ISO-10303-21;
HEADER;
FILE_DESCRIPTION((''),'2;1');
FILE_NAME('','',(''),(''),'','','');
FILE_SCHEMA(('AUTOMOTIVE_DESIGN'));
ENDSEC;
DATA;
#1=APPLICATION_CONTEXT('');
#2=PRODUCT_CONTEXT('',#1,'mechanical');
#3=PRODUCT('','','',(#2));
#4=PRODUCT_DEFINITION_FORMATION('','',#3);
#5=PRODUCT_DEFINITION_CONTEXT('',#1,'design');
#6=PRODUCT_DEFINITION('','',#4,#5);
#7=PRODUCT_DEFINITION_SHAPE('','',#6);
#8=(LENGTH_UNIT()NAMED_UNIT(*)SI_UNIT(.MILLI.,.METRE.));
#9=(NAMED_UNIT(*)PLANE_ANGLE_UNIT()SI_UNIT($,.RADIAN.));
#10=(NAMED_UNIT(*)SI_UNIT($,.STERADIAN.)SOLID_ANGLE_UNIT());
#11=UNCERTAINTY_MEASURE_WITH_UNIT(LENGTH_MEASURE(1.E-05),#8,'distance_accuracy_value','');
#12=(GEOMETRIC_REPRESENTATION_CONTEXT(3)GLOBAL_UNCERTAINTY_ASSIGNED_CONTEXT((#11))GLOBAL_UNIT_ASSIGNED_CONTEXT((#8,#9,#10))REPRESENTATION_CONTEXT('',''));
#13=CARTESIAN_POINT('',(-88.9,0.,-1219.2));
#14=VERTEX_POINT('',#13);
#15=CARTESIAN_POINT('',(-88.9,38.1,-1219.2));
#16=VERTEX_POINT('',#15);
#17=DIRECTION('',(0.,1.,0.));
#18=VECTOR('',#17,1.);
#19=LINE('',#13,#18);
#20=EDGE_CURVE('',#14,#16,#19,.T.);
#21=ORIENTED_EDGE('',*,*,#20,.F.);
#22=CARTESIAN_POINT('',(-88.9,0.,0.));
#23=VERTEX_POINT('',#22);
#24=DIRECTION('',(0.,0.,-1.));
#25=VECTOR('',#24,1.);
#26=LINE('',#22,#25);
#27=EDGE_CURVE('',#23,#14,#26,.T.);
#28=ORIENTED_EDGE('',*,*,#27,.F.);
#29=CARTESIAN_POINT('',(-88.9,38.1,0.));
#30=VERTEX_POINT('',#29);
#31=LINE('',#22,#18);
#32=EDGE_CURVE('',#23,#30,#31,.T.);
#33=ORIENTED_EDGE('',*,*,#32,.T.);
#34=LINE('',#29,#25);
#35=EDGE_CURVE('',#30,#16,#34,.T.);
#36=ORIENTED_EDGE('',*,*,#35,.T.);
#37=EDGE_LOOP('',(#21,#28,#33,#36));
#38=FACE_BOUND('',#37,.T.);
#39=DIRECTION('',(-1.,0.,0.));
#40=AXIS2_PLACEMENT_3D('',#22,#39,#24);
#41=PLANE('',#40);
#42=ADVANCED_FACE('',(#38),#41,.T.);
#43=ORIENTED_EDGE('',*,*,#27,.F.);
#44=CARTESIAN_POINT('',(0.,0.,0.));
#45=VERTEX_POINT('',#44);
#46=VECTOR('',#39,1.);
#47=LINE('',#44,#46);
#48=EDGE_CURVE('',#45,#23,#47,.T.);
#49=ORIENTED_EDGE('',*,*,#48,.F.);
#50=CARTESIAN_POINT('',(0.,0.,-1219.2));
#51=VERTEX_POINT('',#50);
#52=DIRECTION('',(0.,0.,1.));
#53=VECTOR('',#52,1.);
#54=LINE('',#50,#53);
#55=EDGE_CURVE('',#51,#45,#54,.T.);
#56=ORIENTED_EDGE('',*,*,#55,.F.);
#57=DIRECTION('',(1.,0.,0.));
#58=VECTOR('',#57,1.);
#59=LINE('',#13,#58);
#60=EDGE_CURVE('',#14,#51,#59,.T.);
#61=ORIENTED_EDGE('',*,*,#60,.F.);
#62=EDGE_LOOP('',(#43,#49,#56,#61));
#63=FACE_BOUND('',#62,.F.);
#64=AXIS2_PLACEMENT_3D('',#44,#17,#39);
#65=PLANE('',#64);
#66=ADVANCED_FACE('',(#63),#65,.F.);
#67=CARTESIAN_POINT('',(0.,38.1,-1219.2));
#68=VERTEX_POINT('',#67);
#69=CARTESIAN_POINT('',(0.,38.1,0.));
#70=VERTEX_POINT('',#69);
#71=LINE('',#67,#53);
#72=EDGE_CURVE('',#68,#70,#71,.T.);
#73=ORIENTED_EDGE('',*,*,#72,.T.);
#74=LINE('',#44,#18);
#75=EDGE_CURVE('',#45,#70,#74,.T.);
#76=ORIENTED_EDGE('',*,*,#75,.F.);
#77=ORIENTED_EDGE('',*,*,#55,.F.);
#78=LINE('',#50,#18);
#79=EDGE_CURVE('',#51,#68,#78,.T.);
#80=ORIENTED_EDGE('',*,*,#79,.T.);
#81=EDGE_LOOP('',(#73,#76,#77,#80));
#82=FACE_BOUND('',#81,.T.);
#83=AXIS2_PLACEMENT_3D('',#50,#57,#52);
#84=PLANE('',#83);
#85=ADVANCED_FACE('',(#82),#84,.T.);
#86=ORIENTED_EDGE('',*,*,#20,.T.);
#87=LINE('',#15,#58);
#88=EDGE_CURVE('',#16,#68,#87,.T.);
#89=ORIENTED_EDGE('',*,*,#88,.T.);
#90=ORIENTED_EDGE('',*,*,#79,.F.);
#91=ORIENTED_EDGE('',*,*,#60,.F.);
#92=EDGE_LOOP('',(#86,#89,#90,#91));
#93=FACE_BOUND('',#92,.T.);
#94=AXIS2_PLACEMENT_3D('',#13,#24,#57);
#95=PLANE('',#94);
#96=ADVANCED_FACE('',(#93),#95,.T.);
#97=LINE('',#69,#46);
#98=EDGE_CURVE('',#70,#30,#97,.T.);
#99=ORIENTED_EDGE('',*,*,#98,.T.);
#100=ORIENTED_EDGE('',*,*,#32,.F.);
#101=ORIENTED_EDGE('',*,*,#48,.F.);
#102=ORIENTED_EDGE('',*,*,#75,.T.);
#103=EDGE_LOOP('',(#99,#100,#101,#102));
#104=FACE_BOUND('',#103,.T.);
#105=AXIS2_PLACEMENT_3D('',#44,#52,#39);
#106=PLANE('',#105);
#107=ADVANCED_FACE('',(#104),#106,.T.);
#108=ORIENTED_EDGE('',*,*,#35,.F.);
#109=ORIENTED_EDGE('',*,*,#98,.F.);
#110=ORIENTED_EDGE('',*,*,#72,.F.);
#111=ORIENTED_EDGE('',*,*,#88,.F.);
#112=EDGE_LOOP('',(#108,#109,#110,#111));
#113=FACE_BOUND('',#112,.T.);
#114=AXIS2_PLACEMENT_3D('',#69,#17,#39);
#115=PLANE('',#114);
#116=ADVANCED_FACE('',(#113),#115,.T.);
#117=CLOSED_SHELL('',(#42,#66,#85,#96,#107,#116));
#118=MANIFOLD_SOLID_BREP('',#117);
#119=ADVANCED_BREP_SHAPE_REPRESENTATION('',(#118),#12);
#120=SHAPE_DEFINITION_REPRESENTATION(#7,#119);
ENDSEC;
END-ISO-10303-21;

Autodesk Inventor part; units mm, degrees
ref_plane "YZ Plane" through (0, 0, 0) normal (1, 0, 0) x (0, 1, 0)
ref_plane "XZ Plane" through (0, 0, 0) normal (0, 1, 0) x (-1, 0, 0)
ref_plane "XY Plane" through (0, 0, 0) normal (0, 0, 1) x (1, 0, 0)
sketch "Sketch1" plane through (0, 0, 0) normal (0, 1, 0) x (-1, 0, 0)
  line L0 (0, 0) -> (88.9, 0)
  line L1 (88.9, 0) -> (88.9, -1219.2)
  line L2 (88.9, -1219.2) -> (0, -1219.2)
  line L3 (0, -1219.2) -> (0, 0)
  dimension "d0" = 88.9
  dimension "d1" = 1219.2
extrude "Extrusion1" add sketch "Sketch1" along normal blind 38.1
properties part number "holeless 48in 2x4"
